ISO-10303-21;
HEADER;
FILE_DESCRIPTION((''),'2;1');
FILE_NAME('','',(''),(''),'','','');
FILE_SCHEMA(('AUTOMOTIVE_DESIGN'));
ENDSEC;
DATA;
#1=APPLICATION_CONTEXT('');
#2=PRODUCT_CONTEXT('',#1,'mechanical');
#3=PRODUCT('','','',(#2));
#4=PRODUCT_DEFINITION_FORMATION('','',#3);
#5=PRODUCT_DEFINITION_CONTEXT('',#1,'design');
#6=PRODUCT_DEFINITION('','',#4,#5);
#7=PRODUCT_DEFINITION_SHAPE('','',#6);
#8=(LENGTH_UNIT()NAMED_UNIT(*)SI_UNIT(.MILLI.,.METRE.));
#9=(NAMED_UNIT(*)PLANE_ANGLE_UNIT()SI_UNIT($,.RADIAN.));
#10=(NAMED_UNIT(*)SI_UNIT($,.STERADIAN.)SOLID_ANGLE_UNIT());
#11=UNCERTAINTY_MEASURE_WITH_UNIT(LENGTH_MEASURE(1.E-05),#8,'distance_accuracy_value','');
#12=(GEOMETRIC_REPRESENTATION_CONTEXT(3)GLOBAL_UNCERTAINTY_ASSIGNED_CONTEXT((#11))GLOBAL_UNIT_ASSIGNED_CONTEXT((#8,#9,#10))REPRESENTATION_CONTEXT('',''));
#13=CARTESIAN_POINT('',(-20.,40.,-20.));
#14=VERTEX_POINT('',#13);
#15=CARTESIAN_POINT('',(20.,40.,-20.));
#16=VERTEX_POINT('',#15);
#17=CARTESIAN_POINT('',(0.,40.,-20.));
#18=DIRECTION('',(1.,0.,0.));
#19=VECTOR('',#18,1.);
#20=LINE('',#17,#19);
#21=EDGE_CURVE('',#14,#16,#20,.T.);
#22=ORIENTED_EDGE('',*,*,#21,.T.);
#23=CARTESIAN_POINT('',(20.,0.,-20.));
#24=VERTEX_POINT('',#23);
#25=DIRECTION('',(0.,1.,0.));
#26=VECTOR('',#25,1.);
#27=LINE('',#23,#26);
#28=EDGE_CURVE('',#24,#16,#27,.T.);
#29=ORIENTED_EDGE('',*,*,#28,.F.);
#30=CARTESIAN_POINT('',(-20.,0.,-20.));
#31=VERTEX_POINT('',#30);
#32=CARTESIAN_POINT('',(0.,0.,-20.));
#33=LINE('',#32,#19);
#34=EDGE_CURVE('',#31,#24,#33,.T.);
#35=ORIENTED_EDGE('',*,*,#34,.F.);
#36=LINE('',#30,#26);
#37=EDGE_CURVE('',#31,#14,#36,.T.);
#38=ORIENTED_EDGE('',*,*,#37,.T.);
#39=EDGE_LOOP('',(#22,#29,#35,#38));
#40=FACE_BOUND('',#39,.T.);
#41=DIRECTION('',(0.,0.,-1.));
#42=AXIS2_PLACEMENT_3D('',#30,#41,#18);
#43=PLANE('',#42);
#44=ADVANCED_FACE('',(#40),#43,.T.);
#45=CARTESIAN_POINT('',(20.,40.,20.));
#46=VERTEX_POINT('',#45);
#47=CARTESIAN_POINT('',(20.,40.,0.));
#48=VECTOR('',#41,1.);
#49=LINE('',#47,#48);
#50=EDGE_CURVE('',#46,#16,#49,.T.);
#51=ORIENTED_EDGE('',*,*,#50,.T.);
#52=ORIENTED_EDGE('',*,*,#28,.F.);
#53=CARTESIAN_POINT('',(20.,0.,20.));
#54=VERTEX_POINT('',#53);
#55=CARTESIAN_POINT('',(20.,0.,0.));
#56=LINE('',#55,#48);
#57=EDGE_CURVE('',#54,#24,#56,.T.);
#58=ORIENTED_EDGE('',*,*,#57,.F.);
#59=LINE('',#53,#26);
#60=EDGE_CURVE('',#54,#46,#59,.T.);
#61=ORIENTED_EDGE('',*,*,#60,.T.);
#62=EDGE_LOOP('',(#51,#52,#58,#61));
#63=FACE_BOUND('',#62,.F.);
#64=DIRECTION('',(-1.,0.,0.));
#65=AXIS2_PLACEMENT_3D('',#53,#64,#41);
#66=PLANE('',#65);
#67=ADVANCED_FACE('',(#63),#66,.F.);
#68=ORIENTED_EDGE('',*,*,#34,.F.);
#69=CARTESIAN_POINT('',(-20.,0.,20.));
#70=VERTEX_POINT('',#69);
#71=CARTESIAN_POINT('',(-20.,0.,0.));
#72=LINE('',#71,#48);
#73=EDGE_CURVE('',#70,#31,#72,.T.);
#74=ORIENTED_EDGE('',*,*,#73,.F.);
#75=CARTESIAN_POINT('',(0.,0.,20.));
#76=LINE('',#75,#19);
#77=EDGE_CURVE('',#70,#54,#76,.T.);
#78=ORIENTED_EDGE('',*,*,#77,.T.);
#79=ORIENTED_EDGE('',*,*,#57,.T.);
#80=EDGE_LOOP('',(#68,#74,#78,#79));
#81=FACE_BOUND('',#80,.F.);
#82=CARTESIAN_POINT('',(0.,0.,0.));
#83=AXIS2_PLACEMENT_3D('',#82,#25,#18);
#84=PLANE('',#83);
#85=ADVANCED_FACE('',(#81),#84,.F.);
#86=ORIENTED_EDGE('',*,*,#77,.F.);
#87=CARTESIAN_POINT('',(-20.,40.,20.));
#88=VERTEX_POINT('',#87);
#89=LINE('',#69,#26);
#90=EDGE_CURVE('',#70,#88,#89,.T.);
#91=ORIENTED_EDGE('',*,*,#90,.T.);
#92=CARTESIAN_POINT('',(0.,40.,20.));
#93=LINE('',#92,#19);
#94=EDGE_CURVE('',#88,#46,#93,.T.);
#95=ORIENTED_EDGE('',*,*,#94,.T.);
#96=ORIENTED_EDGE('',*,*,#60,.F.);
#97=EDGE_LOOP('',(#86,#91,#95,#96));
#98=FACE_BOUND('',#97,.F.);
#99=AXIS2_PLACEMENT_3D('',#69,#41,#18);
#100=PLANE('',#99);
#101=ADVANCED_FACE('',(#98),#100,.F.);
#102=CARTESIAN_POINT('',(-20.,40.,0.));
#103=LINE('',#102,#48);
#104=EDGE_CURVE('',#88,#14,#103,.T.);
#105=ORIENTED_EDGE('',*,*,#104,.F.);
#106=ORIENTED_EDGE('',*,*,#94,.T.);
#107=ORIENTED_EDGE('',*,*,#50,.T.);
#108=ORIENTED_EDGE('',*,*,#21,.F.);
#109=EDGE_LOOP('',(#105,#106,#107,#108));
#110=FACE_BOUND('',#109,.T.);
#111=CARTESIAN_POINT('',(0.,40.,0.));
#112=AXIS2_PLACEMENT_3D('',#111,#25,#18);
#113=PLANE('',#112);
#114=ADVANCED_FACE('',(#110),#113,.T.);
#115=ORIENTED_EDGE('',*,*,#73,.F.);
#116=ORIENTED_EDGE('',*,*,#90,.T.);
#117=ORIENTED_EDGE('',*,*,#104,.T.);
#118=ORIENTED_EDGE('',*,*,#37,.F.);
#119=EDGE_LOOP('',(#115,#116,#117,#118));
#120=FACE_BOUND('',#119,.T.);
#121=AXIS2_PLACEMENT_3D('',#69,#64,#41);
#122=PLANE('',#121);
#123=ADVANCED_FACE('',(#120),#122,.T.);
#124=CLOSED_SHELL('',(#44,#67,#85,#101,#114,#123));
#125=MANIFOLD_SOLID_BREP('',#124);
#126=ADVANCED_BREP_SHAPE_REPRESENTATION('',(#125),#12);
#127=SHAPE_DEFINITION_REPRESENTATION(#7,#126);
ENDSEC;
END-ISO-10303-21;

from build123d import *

# Parameters (mm, degrees)
SKETCH_1_W      = 40
SKETCH_1_H      = 40
EXTRUDE_1_DEPTH = 40


with BuildPart() as part:
    # 草图1 → 凸台-拉伸1 (new body)
    with BuildSketch(Plane(origin=(0, 0, 0), x_dir=(1, 0, 0), z_dir=(0, 1, 0))):
        Rectangle(SKETCH_1_W, SKETCH_1_H)
    extrude(amount=EXTRUDE_1_DEPTH)


solid = part.part
